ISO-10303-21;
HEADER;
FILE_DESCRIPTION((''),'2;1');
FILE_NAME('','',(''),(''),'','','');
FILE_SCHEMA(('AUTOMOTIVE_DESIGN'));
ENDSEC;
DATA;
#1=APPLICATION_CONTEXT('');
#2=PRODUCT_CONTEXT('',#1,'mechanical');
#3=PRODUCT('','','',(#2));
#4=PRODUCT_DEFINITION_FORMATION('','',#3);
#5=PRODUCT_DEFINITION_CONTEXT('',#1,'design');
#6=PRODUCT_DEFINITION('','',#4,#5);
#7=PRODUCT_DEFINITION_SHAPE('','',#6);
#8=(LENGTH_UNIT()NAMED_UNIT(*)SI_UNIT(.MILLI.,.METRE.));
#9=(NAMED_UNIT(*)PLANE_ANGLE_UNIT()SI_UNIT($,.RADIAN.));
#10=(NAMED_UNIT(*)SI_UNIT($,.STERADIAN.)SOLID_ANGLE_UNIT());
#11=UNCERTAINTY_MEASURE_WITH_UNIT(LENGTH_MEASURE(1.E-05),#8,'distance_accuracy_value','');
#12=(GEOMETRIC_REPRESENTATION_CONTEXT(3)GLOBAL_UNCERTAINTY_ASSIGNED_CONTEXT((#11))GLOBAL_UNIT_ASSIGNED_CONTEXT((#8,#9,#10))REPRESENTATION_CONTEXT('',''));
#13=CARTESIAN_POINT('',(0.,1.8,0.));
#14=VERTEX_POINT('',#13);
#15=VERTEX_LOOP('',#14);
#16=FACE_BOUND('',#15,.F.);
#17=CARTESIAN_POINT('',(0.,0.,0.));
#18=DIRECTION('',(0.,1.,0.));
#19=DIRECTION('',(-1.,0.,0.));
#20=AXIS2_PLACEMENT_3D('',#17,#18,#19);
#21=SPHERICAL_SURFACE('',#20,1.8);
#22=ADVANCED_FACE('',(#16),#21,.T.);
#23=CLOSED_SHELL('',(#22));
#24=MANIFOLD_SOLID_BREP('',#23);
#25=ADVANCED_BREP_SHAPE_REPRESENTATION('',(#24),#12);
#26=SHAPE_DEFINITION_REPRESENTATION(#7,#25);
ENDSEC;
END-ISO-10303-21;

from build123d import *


with BuildPart() as part:
    # 草图1 → 旋转1 (revolve)
    with BuildSketch(Plane.XY):
        with BuildLine():
            Line((0, 1.8), (0, -1.8))
            ThreePointArc((0, -1.8), (-1.8, 0), (0, 1.8))
        make_face()
    revolve(axis=Axis((0, 1.8, 0), (0, -1, 0)))


solid = part.part
